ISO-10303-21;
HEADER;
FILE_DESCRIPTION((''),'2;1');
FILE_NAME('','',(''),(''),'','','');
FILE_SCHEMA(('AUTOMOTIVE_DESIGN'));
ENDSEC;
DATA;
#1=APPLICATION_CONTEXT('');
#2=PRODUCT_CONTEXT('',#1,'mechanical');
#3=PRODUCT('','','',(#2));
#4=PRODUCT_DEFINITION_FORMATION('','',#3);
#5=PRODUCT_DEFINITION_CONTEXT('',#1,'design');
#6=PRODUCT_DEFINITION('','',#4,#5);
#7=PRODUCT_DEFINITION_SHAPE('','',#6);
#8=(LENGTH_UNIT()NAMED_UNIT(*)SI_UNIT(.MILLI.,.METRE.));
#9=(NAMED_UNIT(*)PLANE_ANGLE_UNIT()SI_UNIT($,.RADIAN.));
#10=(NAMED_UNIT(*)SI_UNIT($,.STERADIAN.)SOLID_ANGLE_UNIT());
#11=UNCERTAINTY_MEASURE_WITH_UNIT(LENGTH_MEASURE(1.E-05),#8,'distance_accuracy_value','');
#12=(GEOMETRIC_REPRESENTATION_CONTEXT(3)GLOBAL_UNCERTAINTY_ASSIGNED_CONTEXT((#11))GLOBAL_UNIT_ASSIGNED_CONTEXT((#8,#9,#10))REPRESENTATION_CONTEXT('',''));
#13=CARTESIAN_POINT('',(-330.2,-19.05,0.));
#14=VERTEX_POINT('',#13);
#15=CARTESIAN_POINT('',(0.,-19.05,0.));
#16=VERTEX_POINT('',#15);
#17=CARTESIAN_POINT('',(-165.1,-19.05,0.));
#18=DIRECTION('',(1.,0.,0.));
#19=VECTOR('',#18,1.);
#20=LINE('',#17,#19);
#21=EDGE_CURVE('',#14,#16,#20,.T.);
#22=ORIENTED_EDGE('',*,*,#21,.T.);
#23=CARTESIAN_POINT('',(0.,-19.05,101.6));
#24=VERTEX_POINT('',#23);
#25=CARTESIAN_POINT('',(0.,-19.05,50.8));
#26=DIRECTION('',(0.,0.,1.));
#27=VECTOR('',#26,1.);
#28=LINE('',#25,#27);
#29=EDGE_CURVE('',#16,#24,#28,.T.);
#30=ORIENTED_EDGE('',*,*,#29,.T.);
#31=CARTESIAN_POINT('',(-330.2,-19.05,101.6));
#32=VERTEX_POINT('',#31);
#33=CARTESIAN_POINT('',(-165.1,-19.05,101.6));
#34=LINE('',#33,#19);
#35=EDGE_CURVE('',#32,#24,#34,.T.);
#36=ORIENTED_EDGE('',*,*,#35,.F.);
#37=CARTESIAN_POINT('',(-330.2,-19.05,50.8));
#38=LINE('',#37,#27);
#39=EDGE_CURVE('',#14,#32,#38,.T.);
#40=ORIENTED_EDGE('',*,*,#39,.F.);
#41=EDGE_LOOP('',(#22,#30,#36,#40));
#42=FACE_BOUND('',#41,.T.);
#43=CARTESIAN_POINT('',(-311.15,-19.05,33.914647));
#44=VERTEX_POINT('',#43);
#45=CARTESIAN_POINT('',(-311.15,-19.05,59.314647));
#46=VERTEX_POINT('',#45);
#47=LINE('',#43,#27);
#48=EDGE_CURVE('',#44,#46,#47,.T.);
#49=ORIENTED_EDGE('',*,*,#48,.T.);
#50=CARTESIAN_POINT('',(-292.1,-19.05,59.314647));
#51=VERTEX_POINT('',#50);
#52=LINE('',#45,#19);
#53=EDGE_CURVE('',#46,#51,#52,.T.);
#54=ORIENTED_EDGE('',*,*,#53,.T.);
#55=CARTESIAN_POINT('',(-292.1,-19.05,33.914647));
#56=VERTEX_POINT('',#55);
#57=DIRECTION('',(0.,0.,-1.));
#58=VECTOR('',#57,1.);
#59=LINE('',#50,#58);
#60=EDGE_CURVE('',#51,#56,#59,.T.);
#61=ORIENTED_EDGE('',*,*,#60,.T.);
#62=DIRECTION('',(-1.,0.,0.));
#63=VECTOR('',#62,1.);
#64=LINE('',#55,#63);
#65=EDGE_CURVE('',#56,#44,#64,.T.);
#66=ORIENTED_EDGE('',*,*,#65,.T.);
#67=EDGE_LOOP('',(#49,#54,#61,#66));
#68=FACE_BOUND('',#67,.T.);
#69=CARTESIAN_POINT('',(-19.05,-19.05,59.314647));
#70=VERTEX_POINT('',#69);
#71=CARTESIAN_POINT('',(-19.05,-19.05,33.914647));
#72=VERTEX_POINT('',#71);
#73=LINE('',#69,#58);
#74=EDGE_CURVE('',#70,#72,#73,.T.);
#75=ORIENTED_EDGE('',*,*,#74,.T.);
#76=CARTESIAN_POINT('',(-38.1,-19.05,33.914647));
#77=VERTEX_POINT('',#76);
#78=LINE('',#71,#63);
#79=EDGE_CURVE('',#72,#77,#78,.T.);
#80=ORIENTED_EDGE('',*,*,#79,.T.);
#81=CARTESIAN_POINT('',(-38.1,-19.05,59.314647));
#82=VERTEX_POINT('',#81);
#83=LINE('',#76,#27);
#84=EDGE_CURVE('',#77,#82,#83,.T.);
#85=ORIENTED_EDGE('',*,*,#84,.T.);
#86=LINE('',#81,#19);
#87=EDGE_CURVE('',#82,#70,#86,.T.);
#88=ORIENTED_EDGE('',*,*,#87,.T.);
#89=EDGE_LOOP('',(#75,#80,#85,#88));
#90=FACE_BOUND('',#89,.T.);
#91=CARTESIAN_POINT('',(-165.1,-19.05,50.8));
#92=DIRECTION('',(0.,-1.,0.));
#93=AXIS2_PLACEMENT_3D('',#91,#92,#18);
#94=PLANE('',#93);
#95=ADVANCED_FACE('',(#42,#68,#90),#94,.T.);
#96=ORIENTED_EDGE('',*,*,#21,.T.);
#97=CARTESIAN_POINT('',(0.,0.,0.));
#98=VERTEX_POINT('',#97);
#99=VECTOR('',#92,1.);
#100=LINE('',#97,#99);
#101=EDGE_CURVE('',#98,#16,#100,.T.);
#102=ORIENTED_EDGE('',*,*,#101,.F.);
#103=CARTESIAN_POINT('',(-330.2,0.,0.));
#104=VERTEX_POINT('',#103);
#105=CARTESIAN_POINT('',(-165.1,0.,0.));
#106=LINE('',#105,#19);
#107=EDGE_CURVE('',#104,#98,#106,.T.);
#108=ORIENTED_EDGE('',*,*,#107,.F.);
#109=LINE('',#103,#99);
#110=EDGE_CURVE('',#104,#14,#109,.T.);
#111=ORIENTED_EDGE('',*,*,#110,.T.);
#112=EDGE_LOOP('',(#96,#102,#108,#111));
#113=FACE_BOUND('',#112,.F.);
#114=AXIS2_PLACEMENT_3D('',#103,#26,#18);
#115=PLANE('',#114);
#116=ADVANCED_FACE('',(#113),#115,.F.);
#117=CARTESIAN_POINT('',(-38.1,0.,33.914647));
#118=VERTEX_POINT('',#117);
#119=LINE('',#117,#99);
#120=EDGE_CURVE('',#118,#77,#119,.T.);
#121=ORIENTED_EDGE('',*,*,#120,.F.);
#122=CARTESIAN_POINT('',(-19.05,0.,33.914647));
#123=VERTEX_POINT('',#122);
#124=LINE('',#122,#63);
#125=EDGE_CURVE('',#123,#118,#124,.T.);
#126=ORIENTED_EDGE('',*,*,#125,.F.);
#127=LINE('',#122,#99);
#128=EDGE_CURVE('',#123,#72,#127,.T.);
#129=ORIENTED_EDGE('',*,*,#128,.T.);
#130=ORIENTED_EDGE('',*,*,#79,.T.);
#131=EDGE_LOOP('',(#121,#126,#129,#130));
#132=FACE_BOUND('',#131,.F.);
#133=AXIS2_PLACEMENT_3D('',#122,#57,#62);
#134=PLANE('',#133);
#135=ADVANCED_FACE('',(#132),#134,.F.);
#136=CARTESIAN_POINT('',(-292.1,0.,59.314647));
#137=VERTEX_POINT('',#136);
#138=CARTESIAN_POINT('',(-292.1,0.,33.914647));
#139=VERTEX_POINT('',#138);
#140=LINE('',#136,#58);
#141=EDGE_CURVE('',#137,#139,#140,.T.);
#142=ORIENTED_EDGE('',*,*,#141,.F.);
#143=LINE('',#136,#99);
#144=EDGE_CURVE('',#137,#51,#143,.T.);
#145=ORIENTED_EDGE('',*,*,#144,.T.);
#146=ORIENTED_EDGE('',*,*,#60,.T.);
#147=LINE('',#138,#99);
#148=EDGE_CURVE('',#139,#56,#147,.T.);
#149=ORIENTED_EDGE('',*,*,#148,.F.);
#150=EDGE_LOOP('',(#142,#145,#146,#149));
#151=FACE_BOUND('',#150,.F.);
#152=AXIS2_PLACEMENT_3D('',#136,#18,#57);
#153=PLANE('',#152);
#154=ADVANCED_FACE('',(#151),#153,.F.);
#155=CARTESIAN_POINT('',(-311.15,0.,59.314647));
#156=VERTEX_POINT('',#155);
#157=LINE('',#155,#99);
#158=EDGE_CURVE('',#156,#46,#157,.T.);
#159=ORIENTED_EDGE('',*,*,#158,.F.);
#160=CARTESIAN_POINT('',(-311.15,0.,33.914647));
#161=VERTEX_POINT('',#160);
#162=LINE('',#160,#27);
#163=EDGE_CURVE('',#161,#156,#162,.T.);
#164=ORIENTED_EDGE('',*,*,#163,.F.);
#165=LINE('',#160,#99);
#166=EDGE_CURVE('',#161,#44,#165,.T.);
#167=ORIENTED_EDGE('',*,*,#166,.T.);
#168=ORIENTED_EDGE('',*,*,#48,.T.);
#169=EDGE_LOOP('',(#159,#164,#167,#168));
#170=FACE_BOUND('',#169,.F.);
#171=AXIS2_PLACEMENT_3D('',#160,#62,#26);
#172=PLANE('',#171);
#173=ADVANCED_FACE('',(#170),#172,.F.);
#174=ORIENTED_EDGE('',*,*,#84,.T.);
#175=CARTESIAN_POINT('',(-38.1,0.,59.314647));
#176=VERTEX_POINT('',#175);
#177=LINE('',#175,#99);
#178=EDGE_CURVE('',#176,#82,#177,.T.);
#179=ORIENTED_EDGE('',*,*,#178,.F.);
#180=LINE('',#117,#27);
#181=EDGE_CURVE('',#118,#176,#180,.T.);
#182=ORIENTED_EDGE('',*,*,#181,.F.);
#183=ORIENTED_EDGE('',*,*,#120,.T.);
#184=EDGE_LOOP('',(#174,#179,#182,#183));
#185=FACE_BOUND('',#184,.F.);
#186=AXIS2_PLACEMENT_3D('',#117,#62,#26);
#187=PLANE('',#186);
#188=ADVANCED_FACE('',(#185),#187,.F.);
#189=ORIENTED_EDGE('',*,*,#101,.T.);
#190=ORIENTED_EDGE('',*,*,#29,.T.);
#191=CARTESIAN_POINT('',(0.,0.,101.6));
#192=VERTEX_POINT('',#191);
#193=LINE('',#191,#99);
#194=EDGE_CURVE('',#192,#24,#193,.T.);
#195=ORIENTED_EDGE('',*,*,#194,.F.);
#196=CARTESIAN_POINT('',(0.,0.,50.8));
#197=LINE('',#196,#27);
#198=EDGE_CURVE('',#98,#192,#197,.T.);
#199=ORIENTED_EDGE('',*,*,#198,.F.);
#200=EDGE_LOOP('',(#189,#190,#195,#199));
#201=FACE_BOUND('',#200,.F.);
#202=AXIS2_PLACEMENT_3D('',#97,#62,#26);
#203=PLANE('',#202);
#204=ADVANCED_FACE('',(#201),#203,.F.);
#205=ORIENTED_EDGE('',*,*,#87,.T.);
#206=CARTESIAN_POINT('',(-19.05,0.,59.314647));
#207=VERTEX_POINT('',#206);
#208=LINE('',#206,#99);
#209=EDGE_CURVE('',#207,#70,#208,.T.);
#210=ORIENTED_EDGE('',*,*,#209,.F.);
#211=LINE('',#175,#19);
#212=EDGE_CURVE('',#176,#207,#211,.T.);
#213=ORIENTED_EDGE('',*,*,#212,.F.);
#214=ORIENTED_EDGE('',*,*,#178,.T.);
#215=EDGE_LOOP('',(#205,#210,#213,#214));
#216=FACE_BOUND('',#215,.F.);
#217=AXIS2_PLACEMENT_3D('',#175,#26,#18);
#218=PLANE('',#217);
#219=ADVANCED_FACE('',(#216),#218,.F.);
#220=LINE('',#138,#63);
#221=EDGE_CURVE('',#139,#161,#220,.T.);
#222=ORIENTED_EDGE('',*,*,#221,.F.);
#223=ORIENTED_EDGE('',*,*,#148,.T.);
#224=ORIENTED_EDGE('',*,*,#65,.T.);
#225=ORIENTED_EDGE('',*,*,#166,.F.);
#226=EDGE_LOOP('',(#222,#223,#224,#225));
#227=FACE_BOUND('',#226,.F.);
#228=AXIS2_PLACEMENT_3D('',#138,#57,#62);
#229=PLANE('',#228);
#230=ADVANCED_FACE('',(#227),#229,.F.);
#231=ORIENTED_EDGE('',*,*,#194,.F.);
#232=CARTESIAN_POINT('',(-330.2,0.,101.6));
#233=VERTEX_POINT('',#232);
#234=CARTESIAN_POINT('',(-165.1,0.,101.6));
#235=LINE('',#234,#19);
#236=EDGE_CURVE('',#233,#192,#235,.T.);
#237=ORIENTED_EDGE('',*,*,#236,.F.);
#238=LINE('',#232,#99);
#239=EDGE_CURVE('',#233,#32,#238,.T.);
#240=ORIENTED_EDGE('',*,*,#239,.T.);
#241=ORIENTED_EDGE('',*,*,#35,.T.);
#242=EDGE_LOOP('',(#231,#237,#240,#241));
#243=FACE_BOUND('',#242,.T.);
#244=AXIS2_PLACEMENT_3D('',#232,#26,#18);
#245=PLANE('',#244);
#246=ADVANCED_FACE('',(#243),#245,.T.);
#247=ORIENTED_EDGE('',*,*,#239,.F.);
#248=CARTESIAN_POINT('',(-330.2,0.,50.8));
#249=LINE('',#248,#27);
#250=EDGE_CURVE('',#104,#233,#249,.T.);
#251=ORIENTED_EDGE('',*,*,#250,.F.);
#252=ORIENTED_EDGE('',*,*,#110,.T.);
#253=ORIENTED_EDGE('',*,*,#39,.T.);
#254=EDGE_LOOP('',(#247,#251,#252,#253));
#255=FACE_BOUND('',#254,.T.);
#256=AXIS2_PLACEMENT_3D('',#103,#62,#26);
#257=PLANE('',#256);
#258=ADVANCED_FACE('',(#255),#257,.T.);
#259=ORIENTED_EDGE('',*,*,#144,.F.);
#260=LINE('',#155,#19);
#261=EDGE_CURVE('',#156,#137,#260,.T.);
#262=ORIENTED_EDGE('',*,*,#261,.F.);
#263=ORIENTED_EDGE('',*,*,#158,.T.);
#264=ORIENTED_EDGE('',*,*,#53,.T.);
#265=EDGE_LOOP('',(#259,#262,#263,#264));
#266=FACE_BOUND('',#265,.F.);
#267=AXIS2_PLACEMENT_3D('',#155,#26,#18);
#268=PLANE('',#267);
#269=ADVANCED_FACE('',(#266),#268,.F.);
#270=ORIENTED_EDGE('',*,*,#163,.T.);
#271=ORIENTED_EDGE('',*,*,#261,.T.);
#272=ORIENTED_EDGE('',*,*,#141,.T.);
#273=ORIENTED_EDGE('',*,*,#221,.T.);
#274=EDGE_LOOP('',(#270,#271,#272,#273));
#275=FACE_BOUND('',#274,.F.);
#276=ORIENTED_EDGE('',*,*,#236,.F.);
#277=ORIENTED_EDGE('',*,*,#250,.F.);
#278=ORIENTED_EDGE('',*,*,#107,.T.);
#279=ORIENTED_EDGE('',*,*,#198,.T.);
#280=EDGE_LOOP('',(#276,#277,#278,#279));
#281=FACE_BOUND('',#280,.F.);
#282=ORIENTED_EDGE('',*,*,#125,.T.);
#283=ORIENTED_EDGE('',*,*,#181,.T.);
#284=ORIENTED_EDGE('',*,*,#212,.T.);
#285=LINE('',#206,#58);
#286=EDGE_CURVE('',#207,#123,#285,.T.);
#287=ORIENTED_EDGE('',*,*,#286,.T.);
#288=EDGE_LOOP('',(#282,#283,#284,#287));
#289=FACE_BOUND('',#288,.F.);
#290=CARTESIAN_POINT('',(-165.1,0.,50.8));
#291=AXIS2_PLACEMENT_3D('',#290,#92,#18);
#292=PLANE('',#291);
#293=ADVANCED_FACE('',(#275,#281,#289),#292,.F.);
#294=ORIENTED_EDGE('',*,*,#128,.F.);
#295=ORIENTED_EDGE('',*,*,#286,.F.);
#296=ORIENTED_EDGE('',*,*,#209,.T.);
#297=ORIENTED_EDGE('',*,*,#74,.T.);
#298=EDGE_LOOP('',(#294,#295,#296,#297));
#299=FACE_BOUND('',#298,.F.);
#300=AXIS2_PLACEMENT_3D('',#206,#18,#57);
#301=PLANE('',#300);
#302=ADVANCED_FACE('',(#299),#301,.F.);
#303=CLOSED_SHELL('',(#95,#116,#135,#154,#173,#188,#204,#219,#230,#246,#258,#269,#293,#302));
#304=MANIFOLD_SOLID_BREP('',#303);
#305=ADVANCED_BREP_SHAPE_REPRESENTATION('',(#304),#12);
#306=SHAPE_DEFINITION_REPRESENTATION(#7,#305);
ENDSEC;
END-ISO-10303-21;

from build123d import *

# Parameters (mm, degrees)
F0_W     = 330.2
F0_H     = 101.6
F1_DEPTH = 19.05


with BuildPart() as f1:
    # F0 (on Front) → F1 (new body)
    with BuildSketch(Plane.XZ):
        with Locations((-165.1, 50.8)):
            Rectangle(F0_W, F0_H)
        Polygon((-311.15, 33.914647), (-311.15, 46.614647), (-311.15, 59.314647), (-292.1, 59.314647), (-292.1, 46.614647), (-292.1, 33.914647), align=None, mode=Mode.SUBTRACT)
        Polygon((-38.1, 33.914647), (-38.1, 46.614647), (-38.1, 59.314647), (-19.05, 59.314647), (-19.05, 46.614647), (-19.05, 33.914647), align=None, mode=Mode.SUBTRACT)
    extrude(amount=F1_DEPTH)


solid = f1.part
